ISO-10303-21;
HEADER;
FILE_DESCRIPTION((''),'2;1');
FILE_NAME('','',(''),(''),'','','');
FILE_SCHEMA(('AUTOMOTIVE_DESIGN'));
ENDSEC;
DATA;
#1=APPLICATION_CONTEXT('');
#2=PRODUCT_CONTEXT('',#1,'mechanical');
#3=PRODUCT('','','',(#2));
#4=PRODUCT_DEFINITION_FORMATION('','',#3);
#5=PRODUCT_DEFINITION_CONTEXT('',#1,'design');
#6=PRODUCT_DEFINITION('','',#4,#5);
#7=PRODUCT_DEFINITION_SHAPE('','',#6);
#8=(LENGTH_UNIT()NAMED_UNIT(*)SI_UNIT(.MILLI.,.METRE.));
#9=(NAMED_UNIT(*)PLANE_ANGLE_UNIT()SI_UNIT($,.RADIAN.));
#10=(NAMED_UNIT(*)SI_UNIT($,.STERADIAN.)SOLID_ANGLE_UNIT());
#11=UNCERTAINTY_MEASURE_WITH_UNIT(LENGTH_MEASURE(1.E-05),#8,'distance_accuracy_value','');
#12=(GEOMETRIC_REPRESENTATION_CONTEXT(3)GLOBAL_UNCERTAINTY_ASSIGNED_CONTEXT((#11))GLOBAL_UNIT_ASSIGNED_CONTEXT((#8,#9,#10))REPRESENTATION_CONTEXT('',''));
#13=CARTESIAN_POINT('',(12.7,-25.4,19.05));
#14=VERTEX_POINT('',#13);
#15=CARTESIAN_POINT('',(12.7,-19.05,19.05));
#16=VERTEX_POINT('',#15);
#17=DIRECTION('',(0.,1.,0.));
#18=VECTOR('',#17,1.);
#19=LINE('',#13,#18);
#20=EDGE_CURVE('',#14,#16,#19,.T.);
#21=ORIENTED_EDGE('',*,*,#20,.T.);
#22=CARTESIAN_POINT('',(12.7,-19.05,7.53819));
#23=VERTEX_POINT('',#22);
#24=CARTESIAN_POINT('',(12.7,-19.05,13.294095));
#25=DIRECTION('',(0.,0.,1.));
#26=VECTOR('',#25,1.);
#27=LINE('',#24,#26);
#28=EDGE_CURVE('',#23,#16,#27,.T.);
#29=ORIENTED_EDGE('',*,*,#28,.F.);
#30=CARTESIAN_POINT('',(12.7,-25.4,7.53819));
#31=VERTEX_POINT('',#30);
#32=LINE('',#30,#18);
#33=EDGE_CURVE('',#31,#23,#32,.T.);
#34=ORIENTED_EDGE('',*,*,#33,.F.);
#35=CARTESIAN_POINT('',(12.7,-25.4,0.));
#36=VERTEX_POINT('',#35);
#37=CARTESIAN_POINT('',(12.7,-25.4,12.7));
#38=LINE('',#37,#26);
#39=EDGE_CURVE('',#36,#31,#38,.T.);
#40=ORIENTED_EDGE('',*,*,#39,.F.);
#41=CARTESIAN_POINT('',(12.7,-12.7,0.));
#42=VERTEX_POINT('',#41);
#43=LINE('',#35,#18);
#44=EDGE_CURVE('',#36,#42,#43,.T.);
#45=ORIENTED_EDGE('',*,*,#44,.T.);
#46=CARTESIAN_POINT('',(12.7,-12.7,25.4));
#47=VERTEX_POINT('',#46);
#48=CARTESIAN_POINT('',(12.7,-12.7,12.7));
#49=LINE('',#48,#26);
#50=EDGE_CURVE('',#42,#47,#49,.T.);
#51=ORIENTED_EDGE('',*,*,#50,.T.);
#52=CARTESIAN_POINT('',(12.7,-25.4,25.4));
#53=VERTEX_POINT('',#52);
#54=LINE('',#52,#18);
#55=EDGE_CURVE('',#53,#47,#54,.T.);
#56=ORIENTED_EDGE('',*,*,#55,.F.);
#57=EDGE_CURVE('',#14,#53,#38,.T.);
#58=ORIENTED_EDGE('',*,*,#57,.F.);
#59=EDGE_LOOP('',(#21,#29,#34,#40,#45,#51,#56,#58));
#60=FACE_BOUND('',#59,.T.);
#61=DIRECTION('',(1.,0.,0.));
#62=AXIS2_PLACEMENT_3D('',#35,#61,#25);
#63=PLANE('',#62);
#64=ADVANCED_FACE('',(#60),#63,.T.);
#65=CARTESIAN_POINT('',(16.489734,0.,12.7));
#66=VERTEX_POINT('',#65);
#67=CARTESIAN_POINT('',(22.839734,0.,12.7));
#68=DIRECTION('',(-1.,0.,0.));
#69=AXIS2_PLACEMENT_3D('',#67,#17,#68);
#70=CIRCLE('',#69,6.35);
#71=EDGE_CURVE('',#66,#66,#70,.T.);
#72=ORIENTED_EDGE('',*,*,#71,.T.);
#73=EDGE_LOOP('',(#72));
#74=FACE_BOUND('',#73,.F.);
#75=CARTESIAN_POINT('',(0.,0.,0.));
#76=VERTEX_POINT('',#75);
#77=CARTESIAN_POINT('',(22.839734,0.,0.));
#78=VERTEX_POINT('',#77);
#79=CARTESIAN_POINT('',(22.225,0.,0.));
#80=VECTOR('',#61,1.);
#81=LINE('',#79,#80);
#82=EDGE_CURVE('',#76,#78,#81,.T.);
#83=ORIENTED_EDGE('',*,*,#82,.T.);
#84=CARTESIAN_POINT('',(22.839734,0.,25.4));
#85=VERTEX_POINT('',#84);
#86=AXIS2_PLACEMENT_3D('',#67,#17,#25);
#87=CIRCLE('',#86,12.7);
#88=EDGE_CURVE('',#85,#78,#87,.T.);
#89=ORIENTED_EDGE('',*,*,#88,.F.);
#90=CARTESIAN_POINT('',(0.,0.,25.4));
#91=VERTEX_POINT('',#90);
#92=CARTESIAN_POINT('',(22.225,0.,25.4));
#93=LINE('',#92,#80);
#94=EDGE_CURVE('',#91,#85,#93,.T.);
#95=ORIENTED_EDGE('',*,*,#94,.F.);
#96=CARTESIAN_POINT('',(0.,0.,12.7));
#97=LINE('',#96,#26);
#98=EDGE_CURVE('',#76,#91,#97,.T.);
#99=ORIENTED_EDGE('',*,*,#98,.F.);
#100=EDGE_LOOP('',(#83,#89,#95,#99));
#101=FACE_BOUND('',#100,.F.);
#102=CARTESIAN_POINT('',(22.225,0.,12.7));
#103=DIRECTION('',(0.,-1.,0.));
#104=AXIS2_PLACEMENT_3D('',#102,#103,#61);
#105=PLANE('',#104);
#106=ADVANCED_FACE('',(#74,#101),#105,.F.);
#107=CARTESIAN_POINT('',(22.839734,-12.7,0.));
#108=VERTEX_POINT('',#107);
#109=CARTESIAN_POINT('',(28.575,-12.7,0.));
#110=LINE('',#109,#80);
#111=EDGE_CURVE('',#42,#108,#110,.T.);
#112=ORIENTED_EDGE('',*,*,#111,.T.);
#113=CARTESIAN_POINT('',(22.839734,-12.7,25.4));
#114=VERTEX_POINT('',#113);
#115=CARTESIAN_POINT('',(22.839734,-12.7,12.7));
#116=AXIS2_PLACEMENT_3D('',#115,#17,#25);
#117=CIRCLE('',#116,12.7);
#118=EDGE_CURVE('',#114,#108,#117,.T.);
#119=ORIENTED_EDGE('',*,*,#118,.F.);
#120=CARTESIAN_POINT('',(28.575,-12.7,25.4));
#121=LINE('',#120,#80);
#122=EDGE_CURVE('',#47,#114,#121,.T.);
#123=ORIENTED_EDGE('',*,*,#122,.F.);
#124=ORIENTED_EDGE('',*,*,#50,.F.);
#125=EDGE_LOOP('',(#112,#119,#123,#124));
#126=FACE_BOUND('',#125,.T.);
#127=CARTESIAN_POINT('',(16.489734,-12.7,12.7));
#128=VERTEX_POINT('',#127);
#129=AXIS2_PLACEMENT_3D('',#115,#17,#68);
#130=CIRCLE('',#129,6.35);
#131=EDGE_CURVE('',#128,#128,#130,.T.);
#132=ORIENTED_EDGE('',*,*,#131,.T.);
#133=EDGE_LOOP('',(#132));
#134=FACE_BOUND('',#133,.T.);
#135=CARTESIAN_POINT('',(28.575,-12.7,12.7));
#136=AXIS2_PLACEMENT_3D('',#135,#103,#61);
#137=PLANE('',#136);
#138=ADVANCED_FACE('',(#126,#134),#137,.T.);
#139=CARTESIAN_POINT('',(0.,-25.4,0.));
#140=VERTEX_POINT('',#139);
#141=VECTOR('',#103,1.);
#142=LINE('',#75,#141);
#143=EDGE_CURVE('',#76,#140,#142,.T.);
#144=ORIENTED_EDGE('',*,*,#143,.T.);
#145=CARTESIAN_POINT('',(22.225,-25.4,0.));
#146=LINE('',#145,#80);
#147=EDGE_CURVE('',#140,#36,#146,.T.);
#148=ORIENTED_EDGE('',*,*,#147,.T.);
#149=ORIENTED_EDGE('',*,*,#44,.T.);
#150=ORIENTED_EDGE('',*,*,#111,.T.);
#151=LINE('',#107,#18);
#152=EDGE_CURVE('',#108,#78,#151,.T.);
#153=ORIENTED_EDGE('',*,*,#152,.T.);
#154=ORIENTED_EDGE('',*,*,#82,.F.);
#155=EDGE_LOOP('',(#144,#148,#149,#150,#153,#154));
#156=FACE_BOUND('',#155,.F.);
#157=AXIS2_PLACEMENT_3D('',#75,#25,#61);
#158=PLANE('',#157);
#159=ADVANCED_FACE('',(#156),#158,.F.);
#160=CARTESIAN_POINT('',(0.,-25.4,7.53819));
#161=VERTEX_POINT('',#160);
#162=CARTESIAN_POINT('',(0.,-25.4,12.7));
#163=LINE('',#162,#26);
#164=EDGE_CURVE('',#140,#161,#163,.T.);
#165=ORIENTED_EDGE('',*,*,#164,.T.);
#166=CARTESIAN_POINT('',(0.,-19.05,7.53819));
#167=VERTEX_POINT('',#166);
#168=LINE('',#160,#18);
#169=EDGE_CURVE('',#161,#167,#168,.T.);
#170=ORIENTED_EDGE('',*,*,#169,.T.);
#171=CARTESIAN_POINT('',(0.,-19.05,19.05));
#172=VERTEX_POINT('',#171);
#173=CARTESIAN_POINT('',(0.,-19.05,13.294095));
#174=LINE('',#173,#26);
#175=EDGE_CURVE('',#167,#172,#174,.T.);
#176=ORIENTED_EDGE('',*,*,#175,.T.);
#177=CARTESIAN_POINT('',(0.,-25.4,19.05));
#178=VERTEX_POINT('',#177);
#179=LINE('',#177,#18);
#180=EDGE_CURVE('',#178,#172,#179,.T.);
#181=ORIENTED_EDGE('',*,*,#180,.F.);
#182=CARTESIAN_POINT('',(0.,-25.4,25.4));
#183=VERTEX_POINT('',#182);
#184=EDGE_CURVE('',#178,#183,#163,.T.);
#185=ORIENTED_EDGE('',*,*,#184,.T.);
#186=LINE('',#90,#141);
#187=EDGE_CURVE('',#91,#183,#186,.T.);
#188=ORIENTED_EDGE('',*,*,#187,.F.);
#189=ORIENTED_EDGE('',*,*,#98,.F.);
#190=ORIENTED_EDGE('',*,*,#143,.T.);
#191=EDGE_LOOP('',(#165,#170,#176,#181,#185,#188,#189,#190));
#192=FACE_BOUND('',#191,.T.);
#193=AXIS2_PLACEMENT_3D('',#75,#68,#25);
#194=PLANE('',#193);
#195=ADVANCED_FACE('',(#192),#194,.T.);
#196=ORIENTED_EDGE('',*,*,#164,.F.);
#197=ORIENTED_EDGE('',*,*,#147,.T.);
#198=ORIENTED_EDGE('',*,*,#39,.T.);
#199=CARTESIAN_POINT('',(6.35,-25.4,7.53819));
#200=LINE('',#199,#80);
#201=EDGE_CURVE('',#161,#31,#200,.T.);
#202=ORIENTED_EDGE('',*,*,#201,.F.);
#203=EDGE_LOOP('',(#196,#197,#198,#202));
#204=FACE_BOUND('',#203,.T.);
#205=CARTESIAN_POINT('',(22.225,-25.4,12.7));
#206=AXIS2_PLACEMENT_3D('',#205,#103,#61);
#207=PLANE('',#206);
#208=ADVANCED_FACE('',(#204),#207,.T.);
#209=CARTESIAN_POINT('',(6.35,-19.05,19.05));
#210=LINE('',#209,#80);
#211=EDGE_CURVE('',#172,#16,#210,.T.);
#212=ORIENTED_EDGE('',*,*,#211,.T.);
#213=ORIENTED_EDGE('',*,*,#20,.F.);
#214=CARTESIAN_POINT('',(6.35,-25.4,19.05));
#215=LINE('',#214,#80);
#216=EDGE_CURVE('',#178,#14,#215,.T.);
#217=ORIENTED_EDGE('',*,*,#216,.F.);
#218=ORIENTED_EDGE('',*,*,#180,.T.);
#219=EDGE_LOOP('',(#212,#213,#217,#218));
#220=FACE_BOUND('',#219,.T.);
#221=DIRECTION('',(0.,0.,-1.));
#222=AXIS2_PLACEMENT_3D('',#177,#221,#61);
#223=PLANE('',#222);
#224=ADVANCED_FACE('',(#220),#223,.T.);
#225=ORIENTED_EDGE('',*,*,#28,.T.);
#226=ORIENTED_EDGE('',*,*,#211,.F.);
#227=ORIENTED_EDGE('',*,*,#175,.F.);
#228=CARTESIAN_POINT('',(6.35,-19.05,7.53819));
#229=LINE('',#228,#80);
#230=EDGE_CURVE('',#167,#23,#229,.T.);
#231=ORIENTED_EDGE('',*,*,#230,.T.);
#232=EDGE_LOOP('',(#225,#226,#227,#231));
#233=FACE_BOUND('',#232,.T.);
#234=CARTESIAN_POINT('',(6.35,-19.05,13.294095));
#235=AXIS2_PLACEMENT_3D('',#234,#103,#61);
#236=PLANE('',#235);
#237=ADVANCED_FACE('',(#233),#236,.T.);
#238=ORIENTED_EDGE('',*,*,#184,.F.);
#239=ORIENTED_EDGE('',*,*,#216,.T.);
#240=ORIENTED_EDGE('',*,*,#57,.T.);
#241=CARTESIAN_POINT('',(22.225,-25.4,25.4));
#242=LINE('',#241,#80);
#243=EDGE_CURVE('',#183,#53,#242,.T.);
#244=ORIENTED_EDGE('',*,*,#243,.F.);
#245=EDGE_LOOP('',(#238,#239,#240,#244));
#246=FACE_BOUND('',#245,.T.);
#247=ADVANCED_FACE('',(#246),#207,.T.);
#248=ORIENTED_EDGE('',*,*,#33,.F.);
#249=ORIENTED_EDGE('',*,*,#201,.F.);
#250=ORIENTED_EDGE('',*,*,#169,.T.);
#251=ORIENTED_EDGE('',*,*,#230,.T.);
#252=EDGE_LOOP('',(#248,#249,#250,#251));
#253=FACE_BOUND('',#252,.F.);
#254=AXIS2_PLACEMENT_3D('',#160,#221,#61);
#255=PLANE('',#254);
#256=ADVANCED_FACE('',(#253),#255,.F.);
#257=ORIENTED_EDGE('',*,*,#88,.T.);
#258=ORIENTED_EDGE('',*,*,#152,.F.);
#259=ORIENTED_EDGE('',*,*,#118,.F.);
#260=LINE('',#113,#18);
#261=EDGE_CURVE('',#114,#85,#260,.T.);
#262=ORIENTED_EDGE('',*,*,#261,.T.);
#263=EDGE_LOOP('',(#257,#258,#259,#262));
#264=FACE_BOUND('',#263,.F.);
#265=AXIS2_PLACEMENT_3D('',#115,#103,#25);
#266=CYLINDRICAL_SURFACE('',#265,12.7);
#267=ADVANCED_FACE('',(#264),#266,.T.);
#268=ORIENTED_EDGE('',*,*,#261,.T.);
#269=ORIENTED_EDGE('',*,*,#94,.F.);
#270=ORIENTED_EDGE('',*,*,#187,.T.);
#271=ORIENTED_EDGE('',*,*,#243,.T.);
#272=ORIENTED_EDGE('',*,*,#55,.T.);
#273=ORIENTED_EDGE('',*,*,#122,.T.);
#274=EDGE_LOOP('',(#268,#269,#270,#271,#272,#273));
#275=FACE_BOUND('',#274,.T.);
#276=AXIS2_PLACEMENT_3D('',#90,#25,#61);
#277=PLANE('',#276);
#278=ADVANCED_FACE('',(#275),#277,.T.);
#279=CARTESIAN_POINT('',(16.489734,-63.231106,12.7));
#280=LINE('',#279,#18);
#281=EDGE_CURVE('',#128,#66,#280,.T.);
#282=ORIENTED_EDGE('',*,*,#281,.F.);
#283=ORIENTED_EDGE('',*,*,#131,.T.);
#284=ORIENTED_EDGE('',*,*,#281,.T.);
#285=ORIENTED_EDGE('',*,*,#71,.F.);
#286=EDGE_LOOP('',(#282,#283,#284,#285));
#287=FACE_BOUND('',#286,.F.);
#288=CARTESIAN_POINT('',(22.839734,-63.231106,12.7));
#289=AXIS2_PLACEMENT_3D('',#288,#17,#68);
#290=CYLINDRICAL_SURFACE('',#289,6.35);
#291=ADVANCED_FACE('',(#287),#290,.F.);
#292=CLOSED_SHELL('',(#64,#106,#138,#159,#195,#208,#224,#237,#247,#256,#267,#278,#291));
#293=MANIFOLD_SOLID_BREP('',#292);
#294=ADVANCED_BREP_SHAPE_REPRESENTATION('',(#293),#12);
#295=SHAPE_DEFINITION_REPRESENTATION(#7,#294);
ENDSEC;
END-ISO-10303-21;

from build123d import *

# Parameters (mm, degrees)
F0_W     = 44.45
F0_H     = 25.4
F1_DEPTH = 25.4
F2_W     = 31.75
F2_H     = 25.4
F3_DEPTH = 12.7
F4_W     = 12.7
F4_H     = 11.5118098885
F5_DEPTH = 6.35
F7_DEPTH = 12.7
F9_D     = 12.7


with BuildPart() as f1:
    # F0 (on Front) → F1 (new body)
    with BuildSketch(Plane.XZ):
        with Locations((22.225, 12.7)):
            Rectangle(F0_W, F0_H)
    extrude(amount=F1_DEPTH)

    # F2 (on face) → F3 (cut)
    with BuildSketch(Plane.XZ.offset(25.4)):
        with Locations((28.575, 12.7)):
            Rectangle(F2_W, F2_H)
    extrude(amount=-F3_DEPTH, mode=Mode.SUBTRACT)

    # F4 (on face) → F5 (cut)
    with BuildSketch(Plane.XZ.offset(25.4)):
        with Locations((6.35, 13.2940950558)):
            Rectangle(F4_W, F4_H)
    extrude(amount=-F5_DEPTH, mode=Mode.SUBTRACT)

    # F6 (on face) → F7 (cut, through all)
    with BuildSketch(Plane.XZ.offset(12.7)):
        with BuildLine():
            Line((44.45, 25.4), (22.8397343308, 25.4))
            ThreePointArc((22.8397343308, 25.4), (35.5397343308, 12.7), (22.8397343308, 0))
            Line((22.8397343308, 0), (44.45, 0))
            Line((44.45, 0), (44.45, 25.4))
        make_face()
    extrude(amount=-F7_DEPTH, mode=Mode.SUBTRACT)

    # F9 (through all)
    with Locations(Plane.XZ.offset(12.7)):
        with Locations((22.8397343308, 12.7)):
            Hole(F9_D / 2)


solid = f1.part
